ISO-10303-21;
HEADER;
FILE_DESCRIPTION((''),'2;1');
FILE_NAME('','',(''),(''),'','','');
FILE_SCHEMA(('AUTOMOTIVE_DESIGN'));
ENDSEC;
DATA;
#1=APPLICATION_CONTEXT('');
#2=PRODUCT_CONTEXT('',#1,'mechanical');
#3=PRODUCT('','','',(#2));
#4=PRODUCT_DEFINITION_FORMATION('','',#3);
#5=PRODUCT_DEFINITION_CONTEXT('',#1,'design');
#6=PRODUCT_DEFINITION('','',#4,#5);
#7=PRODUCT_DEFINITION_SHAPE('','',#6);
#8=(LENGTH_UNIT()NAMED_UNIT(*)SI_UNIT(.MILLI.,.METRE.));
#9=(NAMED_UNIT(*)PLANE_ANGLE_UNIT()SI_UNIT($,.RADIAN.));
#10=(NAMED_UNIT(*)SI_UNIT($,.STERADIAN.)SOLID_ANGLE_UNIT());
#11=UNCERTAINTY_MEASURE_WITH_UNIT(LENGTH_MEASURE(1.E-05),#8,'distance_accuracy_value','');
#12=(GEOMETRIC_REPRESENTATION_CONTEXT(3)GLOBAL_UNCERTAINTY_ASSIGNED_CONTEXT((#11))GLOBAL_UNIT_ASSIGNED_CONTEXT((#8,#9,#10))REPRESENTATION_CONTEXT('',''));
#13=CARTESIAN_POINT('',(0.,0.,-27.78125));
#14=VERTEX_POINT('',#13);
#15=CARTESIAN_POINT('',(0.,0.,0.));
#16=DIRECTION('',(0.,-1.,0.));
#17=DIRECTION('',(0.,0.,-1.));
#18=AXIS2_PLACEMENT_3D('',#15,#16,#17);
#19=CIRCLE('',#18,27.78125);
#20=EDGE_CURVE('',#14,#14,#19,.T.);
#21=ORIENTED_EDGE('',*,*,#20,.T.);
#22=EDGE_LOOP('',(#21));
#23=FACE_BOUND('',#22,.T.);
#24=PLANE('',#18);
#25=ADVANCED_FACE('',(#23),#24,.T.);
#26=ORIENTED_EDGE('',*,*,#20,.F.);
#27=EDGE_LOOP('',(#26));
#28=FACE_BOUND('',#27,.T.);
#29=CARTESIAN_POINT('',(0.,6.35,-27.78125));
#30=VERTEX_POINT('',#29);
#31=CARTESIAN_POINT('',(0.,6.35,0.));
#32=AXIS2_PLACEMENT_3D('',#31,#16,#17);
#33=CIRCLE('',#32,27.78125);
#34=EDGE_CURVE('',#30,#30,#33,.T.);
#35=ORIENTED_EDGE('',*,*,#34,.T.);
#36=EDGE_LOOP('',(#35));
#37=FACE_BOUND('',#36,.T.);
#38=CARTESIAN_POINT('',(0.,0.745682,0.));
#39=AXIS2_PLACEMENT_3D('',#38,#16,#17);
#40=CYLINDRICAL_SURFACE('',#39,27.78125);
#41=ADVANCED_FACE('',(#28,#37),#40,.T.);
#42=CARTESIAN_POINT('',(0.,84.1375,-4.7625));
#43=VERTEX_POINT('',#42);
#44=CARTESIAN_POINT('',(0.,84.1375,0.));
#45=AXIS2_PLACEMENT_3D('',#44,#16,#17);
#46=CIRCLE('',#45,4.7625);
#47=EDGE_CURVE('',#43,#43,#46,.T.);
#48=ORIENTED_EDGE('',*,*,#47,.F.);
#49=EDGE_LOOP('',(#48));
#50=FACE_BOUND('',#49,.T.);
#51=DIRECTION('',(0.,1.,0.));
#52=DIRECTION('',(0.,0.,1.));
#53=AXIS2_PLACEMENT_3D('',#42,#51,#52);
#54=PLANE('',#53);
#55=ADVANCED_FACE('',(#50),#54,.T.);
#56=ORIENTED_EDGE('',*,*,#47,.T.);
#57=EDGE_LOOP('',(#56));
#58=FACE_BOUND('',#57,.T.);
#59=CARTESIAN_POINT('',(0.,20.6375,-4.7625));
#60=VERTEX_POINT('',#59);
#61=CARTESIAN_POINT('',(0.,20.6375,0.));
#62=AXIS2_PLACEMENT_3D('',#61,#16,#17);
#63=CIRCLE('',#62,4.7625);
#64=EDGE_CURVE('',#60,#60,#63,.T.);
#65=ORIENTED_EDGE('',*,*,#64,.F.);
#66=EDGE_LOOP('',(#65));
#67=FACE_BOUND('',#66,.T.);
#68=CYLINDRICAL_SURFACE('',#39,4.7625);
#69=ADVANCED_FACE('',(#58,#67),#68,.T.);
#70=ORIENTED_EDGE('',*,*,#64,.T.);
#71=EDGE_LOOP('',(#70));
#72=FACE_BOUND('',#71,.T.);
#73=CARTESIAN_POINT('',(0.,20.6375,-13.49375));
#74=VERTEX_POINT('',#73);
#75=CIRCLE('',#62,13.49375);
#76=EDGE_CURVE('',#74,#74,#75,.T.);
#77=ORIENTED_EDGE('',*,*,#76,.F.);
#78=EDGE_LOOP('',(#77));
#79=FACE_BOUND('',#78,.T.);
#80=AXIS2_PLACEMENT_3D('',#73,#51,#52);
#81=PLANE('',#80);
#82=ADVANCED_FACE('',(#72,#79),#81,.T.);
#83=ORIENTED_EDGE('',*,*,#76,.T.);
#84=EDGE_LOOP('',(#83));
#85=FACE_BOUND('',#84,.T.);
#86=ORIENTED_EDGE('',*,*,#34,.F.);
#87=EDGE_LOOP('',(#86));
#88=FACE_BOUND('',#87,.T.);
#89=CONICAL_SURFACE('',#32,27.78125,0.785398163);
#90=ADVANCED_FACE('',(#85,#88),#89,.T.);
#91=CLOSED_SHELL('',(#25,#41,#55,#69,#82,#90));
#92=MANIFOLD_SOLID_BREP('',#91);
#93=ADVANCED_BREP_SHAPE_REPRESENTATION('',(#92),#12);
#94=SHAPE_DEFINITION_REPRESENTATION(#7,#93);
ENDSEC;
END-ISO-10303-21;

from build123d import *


with BuildPart() as part:
    # Sketch1 → Revolve1 (revolve)
    with BuildSketch(Plane(origin=(0, 0, 0), x_dir=(0, 0, -1), z_dir=(1, 0, 0))):
        Polygon((0, 0), (27.78125, 0), (27.78125, 6.35), (13.49375, 20.6375), (4.7625, 20.6375), (4.7625, 84.1375), (0, 84.1375), align=None)
    revolve(axis=Axis((0, 0.745681745, 0), (0, 1, 0)))


solid = part.part
